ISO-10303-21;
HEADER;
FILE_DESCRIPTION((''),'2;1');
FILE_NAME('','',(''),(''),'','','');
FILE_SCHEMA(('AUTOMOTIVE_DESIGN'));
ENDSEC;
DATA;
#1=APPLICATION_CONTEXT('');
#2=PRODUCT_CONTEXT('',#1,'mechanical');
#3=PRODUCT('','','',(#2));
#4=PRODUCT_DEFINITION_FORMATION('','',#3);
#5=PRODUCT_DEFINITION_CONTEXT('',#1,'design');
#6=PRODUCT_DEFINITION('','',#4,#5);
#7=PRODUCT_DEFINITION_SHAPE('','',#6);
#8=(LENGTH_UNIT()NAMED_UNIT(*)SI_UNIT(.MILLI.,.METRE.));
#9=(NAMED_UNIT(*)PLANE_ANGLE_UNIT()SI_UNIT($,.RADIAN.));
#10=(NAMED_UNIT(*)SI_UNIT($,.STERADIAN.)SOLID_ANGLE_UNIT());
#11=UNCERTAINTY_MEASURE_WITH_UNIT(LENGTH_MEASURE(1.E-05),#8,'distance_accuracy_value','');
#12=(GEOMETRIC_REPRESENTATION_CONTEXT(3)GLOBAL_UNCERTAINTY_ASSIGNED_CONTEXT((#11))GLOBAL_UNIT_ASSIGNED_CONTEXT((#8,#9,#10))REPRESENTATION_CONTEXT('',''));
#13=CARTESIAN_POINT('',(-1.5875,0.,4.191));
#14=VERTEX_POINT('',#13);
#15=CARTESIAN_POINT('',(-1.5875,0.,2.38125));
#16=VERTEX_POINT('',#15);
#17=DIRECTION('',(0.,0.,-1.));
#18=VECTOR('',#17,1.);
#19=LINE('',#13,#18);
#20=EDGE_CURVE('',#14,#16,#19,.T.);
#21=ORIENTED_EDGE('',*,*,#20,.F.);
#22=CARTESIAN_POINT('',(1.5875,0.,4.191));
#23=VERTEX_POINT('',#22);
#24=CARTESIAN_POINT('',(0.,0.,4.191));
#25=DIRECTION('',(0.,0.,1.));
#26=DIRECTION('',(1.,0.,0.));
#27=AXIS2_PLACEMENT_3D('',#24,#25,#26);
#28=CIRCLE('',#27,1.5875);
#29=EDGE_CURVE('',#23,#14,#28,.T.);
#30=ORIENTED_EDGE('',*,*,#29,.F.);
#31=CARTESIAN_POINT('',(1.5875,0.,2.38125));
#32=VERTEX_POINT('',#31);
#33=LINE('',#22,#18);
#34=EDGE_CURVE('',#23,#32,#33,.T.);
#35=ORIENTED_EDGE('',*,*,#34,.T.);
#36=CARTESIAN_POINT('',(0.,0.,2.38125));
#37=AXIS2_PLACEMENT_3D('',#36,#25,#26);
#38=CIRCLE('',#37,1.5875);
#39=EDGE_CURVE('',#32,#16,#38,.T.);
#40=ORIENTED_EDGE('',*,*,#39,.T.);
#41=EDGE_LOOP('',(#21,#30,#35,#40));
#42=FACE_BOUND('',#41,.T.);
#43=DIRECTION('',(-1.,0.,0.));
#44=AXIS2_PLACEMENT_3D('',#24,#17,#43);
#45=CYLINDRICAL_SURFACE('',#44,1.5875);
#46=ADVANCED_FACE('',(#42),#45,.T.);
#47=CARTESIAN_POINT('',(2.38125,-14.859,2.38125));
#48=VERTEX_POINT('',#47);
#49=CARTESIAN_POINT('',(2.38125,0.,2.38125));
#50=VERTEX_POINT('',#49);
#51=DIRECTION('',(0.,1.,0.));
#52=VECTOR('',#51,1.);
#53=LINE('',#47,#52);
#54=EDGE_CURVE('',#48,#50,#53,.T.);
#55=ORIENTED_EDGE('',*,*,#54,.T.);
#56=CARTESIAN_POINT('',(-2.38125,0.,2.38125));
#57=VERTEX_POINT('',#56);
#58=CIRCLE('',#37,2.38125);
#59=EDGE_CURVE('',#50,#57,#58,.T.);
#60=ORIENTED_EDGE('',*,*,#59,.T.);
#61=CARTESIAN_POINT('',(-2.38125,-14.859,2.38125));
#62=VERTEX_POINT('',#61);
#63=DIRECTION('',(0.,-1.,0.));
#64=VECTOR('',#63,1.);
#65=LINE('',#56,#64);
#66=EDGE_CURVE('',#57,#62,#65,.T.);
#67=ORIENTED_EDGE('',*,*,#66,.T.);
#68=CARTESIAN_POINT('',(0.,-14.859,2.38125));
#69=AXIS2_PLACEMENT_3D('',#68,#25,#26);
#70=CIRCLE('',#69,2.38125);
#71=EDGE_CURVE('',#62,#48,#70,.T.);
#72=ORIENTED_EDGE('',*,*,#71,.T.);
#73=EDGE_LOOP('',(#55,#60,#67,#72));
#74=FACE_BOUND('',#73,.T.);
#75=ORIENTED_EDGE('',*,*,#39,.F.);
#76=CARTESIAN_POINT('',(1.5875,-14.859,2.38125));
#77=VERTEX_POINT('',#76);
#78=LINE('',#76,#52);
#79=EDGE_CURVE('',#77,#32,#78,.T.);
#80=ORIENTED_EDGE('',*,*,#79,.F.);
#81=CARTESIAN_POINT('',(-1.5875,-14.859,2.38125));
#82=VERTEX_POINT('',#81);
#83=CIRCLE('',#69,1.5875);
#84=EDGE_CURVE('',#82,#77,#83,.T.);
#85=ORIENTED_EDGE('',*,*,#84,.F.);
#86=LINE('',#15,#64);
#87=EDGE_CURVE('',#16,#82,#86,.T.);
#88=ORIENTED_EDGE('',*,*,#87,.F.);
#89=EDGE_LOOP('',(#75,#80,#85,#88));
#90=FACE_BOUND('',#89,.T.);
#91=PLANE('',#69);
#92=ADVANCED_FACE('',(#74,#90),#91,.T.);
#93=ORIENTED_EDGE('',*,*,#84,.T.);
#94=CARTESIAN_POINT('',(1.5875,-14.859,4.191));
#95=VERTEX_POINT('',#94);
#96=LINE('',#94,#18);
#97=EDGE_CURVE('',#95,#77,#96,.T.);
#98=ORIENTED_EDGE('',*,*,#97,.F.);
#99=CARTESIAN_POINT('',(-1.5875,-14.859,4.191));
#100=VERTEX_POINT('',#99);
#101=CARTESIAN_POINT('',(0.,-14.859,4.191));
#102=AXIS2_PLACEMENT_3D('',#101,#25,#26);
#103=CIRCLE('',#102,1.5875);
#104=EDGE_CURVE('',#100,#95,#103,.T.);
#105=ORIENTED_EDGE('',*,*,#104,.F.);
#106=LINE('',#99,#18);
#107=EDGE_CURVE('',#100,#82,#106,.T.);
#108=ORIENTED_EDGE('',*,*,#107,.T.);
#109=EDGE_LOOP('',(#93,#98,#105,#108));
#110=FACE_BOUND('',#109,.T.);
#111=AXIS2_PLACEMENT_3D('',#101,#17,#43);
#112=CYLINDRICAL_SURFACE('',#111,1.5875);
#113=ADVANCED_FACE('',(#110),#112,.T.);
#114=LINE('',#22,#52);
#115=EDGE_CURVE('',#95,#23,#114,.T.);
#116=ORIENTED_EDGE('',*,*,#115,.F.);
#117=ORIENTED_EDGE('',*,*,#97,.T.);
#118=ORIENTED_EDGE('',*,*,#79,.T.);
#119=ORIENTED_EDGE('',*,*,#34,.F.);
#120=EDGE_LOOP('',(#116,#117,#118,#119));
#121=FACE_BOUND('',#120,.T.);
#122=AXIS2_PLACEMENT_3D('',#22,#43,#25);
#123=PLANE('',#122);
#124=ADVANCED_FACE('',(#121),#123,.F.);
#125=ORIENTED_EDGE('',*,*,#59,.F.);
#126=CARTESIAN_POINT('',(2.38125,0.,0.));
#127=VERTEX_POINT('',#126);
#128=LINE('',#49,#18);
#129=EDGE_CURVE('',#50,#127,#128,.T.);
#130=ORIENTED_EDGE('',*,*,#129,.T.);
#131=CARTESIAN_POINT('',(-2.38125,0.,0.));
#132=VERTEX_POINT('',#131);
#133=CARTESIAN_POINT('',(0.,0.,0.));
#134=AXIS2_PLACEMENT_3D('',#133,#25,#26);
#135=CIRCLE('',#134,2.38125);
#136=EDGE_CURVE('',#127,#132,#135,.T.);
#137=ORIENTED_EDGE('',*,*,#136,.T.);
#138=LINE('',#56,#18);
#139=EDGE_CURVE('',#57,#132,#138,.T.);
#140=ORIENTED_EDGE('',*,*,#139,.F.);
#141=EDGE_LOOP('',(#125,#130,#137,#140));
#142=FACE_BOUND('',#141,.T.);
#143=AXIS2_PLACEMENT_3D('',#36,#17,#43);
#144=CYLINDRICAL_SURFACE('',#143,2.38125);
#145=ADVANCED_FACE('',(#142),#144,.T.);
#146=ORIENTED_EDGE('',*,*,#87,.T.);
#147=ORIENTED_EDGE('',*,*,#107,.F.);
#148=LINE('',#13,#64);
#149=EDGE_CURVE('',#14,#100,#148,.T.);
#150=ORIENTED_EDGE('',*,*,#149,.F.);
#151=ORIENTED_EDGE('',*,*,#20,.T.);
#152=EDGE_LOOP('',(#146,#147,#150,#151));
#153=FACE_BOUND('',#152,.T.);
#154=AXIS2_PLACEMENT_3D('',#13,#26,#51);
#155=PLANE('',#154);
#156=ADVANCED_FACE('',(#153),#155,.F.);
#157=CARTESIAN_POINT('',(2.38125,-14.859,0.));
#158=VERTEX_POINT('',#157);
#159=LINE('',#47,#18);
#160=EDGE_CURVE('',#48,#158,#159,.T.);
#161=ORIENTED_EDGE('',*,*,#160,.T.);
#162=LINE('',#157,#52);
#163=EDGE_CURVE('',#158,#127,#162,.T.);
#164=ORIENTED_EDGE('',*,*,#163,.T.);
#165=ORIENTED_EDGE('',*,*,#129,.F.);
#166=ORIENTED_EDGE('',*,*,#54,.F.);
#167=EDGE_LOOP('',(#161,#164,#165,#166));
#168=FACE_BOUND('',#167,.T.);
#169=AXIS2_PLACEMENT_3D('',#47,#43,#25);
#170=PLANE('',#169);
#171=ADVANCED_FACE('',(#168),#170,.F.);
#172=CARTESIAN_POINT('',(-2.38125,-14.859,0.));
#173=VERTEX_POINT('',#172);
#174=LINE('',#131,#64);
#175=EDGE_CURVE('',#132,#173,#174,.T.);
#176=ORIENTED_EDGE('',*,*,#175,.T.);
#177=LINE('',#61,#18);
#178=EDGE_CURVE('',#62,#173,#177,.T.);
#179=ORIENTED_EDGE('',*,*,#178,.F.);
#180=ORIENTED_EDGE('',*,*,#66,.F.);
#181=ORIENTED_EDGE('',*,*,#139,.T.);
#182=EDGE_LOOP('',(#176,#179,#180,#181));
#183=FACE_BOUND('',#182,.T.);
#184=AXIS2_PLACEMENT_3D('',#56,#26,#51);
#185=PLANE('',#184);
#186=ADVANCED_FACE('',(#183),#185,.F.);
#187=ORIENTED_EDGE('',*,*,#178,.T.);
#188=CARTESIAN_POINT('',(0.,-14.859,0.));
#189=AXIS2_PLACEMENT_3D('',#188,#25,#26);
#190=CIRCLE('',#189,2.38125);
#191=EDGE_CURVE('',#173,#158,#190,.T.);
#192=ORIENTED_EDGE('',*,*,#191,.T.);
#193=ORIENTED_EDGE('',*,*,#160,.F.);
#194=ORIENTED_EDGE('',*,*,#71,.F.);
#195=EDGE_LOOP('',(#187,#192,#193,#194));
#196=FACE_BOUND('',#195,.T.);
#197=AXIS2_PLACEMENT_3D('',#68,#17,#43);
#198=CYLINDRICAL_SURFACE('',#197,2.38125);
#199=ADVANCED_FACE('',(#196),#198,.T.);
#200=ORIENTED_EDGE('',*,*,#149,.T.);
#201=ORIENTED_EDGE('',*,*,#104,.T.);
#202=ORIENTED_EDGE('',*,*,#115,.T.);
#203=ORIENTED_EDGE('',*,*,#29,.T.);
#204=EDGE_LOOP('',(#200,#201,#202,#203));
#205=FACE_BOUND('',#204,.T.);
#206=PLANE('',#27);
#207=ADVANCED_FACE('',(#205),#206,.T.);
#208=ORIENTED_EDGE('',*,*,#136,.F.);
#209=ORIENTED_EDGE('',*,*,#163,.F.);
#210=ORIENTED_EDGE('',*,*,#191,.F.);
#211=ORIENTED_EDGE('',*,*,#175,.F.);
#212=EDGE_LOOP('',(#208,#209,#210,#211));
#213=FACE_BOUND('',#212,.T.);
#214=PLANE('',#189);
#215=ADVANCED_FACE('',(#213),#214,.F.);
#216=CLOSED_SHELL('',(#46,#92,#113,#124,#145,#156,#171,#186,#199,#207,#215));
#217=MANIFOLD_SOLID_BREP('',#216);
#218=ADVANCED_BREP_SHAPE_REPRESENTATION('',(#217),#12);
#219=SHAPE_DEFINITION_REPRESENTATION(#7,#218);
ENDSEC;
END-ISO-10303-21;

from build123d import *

# Parameters (mm, degrees)
BOSS_EXTRUDE1_DEPTH = 2.38125
BOSS_EXTRUDE2_DEPTH = 4.191


with BuildPart() as part:
    # Sketch1 → Boss-Extrude1 (new body)
    with BuildSketch(Plane.XY):
        with BuildLine():
            Line((2.38125, -14.859), (2.38125, 0))
            ThreePointArc((2.38125, 0), (0, 2.38125), (-2.38125, 0))
            Line((-2.38125, 0), (-2.38125, -14.859))
            ThreePointArc((-2.38125, -14.859), (0, -17.24025), (2.38125, -14.859))
        make_face()
        with BuildLine():
            Line((1.5875, -14.859), (1.5875, 0))
            ThreePointArc((1.5875, 0), (0, 1.5875), (-1.5875, 0))
            Line((-1.5875, 0), (-1.5875, -14.859))
            ThreePointArc((-1.5875, -14.859), (0, -16.4465), (1.5875, -14.859))
        make_face(mode=Mode.SUBTRACT)
    extrude(amount=BOSS_EXTRUDE1_DEPTH)

    # Sketch1<5> → Boss-Extrude2 (add)
    with BuildSketch(Plane.XY):
        with BuildLine():
            Line((1.5875, -14.859), (1.5875, 0))
            ThreePointArc((1.5875, 0), (0, 1.5875), (-1.5875, 0))
            Line((-1.5875, 0), (-1.5875, -14.859))
            ThreePointArc((-1.5875, -14.859), (0, -16.4465), (1.5875, -14.859))
        make_face()
    extrude(amount=BOSS_EXTRUDE2_DEPTH)


solid = part.part
